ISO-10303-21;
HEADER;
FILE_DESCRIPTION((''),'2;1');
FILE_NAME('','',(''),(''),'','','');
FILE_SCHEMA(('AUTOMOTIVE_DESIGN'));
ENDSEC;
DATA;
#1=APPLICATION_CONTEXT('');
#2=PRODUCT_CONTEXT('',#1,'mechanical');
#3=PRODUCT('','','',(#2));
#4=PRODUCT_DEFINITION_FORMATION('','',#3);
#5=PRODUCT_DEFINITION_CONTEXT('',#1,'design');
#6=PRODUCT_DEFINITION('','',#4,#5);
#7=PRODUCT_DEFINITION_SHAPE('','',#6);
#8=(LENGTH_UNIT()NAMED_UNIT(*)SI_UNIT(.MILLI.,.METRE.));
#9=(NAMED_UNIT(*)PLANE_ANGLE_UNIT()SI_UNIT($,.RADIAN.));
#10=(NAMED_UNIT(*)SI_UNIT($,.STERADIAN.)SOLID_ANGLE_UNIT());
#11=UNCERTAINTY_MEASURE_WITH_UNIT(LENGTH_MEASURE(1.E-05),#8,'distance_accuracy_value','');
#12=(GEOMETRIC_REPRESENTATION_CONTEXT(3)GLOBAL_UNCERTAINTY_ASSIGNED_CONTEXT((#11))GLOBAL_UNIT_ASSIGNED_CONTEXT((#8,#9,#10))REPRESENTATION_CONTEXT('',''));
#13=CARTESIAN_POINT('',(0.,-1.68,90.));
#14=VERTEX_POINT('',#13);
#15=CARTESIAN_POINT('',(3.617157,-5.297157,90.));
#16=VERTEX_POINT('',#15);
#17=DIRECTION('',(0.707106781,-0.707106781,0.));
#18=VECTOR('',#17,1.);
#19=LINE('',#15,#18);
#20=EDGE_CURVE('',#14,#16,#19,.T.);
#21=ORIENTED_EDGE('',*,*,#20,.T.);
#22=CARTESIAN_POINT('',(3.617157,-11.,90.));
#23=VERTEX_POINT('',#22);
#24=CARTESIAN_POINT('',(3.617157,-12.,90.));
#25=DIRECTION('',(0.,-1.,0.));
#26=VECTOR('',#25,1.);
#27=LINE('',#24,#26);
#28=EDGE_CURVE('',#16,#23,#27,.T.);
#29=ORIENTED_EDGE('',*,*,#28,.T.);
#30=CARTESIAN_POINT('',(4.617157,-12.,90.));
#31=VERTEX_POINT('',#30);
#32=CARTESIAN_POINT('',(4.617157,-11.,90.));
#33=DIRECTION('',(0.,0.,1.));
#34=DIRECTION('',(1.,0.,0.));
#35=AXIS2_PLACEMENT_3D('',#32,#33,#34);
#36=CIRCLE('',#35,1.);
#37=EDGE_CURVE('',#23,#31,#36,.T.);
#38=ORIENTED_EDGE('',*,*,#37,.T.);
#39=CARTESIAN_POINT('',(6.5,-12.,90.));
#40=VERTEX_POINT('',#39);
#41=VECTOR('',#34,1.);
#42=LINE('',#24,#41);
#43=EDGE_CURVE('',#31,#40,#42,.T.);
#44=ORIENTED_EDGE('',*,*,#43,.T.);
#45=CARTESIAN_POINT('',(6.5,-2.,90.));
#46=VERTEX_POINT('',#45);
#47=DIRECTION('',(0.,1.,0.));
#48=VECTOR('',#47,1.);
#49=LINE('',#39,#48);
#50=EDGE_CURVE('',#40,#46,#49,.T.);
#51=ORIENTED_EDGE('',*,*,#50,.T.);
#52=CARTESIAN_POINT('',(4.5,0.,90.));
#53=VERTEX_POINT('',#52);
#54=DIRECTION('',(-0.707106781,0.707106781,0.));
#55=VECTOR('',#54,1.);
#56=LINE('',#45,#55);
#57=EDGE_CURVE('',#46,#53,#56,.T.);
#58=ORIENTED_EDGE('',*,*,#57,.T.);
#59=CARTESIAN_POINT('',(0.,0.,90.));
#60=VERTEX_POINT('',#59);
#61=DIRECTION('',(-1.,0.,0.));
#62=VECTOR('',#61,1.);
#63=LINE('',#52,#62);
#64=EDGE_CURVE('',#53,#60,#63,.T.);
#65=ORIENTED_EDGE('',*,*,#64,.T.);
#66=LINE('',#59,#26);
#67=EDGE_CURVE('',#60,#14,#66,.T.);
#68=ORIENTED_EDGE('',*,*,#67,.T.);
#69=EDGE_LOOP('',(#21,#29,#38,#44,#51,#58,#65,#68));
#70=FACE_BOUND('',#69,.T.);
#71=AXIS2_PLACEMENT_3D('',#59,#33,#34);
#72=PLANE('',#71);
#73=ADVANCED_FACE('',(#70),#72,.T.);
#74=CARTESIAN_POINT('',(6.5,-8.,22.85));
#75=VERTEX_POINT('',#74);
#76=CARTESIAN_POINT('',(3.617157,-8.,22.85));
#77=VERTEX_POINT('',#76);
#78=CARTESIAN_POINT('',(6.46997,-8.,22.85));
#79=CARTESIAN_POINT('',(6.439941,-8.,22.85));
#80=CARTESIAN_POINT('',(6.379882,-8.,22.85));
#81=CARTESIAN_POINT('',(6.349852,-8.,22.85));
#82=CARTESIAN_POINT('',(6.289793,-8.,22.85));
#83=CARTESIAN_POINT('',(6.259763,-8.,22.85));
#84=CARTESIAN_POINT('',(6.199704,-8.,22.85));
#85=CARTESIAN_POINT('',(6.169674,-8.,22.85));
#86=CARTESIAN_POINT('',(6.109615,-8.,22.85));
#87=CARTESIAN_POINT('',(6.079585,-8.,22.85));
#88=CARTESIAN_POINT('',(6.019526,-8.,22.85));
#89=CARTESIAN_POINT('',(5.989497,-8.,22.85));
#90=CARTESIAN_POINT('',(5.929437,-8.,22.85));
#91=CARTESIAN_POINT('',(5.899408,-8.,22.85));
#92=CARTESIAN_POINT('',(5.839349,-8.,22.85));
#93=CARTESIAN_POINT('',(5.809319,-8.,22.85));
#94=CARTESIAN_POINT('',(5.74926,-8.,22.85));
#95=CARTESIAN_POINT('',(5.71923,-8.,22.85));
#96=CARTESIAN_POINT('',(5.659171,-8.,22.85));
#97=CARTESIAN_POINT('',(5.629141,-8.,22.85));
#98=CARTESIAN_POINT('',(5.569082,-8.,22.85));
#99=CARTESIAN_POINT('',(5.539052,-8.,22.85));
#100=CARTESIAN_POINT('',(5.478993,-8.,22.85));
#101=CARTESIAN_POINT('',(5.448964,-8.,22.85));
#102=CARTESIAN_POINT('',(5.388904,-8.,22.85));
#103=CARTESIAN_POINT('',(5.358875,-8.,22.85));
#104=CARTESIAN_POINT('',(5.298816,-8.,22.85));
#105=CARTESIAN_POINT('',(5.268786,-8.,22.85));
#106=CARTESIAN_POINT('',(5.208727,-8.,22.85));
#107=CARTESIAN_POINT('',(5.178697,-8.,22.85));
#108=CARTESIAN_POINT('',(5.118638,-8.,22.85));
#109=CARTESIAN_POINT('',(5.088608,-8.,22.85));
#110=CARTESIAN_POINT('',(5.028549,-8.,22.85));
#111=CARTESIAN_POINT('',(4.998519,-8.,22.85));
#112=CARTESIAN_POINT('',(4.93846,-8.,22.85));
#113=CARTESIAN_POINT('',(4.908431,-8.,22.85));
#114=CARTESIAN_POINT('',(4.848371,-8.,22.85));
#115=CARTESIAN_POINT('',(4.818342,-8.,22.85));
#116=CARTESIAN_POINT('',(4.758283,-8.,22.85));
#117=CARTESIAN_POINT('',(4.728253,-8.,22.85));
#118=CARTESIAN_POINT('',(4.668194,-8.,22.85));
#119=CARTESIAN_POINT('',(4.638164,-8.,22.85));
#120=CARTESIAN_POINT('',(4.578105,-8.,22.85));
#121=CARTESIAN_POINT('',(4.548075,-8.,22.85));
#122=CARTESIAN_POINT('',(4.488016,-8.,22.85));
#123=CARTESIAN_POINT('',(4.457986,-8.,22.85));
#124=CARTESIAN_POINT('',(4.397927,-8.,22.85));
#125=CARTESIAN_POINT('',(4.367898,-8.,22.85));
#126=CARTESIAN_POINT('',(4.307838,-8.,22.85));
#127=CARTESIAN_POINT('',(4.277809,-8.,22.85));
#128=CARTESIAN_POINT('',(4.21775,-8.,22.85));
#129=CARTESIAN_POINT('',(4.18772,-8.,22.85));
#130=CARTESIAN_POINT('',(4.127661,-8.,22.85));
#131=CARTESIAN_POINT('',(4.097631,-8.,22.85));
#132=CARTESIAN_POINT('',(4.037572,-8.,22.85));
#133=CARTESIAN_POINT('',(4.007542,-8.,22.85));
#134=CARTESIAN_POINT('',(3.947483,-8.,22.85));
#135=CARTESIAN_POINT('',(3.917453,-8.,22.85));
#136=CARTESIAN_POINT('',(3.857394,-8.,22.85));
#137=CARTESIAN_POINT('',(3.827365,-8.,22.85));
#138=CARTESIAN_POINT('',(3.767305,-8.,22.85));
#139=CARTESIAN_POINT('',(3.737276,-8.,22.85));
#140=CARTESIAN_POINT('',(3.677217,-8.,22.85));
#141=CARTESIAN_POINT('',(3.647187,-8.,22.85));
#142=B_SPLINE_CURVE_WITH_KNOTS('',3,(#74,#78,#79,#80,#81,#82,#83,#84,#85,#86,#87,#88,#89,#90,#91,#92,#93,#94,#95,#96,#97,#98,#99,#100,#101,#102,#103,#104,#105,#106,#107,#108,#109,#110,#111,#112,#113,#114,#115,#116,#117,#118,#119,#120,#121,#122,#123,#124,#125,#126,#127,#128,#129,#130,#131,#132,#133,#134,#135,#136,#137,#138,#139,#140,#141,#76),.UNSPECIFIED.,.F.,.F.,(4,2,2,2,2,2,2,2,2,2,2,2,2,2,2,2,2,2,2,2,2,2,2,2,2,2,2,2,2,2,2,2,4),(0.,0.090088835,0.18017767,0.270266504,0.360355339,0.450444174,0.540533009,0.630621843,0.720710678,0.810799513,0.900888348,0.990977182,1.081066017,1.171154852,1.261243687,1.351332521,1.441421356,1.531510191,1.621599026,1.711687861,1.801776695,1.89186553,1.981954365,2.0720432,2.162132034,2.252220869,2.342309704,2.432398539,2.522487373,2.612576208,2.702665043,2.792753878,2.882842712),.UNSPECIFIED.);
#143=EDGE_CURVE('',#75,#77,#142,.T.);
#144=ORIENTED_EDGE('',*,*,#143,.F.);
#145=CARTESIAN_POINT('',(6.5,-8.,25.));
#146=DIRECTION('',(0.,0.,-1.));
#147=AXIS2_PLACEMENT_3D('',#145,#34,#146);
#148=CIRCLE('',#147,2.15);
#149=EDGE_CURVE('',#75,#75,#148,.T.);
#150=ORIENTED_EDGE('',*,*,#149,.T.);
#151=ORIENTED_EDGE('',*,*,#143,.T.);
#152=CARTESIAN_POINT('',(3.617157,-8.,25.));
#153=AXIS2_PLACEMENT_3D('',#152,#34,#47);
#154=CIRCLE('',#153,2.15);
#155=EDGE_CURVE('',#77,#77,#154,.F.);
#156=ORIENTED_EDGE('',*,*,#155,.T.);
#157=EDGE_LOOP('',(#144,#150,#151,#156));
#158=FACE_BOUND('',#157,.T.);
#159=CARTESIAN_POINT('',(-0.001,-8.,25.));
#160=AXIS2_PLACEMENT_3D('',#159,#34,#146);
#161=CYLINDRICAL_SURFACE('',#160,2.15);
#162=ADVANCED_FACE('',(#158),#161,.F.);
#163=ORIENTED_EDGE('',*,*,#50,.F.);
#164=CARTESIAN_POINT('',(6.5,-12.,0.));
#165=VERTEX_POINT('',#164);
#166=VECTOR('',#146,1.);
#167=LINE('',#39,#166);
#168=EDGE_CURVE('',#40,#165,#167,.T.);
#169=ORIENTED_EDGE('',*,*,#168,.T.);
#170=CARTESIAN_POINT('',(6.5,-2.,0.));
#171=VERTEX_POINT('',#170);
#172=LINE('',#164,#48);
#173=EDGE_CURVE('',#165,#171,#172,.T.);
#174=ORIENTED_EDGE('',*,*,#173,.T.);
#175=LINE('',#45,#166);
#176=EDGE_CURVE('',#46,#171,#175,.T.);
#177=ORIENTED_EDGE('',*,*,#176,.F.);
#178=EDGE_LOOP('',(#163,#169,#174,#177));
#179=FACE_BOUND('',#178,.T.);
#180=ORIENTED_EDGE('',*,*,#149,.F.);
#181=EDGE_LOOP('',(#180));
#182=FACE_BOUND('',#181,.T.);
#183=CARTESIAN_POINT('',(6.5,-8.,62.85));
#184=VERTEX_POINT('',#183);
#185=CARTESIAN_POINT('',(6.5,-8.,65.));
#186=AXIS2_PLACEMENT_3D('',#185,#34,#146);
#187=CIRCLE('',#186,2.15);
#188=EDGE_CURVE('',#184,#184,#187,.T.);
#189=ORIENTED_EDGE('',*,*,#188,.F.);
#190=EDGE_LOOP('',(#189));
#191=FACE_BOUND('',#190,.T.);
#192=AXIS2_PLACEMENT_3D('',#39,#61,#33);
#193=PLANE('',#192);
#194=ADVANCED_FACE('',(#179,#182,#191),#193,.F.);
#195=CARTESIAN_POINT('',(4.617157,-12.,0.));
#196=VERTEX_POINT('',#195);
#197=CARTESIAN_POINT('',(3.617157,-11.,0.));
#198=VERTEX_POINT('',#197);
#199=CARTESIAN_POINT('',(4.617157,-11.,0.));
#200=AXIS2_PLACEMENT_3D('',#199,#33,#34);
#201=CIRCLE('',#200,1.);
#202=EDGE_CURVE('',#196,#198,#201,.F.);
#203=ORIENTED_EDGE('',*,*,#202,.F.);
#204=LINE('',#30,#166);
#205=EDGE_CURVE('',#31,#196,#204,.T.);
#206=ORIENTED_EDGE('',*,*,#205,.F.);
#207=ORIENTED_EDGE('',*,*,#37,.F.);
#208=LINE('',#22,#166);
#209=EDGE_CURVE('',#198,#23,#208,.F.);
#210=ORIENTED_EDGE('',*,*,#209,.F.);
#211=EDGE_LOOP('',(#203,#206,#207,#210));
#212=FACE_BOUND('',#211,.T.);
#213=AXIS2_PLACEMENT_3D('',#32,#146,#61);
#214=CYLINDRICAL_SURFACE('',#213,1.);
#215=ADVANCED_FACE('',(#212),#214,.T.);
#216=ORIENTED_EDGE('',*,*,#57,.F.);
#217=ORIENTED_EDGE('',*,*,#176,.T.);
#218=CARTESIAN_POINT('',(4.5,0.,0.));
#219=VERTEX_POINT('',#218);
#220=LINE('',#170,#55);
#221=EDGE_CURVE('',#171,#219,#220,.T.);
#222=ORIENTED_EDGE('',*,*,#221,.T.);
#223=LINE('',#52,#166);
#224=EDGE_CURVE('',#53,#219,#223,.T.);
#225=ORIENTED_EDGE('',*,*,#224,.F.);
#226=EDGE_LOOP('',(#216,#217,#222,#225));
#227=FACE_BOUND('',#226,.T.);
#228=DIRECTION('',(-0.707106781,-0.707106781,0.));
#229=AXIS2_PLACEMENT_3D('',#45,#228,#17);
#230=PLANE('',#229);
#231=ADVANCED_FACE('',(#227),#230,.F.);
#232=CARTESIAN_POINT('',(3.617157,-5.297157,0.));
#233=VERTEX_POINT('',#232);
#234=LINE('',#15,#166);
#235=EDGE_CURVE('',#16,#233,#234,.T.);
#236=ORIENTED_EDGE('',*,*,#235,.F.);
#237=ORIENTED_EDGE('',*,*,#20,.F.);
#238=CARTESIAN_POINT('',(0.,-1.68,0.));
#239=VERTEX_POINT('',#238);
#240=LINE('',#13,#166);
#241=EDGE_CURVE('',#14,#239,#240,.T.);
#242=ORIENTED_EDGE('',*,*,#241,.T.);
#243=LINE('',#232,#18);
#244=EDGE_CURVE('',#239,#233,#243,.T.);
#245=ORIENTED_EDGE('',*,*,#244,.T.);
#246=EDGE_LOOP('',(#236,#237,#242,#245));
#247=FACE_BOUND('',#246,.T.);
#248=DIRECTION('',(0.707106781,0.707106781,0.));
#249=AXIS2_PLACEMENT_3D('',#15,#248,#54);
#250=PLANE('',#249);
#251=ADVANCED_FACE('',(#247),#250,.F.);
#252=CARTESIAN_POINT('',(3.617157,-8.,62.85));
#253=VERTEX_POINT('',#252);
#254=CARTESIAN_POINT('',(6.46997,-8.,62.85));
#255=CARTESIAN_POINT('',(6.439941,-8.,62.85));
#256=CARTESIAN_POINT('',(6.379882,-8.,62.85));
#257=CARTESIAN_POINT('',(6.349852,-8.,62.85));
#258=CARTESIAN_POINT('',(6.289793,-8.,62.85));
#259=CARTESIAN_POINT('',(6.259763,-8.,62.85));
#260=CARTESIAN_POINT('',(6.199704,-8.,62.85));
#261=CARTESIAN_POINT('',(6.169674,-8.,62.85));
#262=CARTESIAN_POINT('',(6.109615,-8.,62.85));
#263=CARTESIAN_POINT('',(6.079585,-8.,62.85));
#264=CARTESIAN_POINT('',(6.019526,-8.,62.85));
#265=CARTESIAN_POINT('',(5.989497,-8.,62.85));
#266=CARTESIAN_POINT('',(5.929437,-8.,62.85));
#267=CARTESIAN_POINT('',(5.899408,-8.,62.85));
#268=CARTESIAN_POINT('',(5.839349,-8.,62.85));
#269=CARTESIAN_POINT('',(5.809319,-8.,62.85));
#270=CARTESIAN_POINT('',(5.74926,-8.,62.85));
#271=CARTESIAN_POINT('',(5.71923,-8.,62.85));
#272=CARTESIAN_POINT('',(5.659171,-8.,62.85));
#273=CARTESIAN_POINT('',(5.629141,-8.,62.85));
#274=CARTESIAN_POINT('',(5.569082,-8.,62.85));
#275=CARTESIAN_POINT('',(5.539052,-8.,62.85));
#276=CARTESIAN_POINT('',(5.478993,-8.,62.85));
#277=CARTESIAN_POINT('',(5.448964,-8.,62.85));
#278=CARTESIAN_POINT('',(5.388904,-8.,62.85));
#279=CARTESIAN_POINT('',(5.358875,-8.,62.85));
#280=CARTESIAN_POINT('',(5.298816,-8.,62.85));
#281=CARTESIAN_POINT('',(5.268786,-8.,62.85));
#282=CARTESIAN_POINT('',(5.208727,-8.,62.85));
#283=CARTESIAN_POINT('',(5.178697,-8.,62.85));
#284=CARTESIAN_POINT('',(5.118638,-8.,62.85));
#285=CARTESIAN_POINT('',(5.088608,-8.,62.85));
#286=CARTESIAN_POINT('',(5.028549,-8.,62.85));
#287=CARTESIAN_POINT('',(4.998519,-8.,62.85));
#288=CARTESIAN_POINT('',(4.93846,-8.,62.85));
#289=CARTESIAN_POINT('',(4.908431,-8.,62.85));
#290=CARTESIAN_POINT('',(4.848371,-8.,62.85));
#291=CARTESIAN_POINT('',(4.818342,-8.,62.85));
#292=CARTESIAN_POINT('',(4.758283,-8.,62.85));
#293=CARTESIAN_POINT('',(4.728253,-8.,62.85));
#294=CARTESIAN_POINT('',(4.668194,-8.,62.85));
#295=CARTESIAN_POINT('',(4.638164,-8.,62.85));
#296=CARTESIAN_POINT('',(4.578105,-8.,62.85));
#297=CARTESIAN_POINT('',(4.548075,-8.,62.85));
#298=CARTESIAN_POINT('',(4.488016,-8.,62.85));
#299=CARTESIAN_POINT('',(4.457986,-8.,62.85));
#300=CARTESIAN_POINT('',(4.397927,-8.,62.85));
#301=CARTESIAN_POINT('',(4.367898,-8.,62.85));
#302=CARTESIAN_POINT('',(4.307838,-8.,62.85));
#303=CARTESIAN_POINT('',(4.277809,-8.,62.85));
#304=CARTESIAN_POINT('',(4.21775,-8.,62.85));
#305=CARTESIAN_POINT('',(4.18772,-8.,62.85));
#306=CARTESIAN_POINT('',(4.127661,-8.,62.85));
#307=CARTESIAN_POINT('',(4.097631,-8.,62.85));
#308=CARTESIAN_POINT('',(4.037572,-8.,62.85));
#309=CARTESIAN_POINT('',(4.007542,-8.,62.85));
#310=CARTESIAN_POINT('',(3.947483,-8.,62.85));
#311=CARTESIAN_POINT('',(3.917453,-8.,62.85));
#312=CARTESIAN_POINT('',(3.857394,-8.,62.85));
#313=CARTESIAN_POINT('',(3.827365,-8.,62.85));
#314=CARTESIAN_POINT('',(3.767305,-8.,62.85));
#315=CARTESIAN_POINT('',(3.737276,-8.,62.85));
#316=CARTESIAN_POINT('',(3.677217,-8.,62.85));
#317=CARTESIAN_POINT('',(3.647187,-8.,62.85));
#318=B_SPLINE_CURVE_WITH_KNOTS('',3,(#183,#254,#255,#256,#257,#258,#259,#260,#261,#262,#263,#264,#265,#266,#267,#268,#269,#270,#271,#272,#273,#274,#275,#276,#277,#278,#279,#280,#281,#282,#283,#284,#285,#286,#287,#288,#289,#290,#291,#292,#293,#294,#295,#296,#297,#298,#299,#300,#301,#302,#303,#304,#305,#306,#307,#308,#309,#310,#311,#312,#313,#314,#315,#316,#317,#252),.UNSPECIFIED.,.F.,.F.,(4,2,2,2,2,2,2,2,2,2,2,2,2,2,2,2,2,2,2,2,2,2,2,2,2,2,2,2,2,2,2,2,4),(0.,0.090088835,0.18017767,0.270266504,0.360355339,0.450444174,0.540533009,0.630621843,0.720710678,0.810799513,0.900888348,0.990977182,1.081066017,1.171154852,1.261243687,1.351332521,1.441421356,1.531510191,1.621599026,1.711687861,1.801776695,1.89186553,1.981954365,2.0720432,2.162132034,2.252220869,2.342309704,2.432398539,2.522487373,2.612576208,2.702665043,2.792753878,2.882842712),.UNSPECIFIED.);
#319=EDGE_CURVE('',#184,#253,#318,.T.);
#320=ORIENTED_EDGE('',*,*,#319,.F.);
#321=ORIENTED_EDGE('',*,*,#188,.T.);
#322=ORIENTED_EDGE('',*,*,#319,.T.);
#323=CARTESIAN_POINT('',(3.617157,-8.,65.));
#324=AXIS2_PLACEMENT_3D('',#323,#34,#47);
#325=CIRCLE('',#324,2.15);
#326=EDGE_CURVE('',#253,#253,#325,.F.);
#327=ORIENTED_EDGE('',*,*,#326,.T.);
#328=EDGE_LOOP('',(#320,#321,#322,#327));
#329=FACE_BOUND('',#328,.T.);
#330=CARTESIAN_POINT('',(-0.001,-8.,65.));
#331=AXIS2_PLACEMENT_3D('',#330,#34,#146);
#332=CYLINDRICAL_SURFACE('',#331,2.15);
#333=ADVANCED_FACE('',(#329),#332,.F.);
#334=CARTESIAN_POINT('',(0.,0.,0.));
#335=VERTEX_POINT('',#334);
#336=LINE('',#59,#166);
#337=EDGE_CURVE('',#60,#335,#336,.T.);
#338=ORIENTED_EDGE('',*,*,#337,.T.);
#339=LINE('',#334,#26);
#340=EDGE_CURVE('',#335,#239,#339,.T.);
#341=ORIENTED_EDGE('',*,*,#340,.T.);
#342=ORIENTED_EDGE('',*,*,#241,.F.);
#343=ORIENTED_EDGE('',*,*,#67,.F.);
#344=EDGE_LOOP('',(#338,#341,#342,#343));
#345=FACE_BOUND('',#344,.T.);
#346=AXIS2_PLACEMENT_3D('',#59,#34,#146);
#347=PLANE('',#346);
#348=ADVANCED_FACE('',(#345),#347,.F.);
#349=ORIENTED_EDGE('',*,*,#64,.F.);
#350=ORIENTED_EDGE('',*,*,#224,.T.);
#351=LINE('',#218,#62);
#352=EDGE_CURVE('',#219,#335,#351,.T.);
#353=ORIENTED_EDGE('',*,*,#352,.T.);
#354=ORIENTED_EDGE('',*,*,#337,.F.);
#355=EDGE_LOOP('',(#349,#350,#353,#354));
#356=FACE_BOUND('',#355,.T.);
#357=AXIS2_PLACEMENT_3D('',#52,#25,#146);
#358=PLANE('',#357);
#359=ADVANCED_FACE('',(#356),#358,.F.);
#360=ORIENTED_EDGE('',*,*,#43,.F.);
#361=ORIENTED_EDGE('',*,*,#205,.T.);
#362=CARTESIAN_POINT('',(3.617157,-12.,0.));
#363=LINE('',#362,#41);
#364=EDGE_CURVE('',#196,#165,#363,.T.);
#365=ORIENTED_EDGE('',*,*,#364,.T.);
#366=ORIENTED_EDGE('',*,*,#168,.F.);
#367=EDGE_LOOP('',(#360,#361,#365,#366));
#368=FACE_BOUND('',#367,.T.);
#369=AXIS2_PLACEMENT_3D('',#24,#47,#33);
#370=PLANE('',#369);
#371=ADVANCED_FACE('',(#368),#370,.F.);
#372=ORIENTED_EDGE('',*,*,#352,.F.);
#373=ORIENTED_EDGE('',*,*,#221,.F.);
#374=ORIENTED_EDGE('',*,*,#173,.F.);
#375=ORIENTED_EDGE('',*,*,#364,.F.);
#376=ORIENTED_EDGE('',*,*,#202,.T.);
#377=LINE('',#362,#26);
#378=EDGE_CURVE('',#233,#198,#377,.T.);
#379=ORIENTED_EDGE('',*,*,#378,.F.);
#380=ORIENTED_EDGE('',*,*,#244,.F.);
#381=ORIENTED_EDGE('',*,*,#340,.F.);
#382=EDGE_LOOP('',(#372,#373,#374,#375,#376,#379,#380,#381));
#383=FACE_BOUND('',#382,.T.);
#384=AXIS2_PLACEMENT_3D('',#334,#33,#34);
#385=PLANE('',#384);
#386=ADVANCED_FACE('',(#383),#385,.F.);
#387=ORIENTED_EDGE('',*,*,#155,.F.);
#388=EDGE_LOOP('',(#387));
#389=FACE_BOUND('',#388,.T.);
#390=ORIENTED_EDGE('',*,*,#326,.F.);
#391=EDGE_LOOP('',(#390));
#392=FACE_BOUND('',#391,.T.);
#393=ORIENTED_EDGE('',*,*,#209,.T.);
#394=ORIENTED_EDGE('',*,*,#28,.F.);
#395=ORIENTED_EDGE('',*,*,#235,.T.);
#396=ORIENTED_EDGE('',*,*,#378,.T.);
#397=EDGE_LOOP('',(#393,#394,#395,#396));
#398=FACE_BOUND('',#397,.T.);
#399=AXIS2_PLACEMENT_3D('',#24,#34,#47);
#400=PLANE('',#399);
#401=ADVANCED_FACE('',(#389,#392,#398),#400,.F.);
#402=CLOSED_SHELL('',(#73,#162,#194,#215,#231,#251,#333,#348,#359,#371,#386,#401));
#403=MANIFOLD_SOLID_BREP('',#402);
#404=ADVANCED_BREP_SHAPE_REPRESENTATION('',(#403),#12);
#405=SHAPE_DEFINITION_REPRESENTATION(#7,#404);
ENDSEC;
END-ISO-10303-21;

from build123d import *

# Parameters (mm, degrees)
BOSS_EXTRUDE1_DEPTH = 90
CUT_EXTRUDE1_REACH  = 93.029
SKETCH4_R           = 2.15
FILLET1_R           = 1


with BuildPart() as part:
    # Sketch3 → Boss-Extrude1 (new body)
    with BuildSketch(Plane.XY):
        Polygon((3.617157288, -12), (3.617157288, -5.297157288), (0, -1.68), (0, 0), (4.5, 0), (6.5, -2), (6.5, -12), align=None)
    extrude(amount=BOSS_EXTRUDE1_DEPTH)

    # Sketch4 → Cut-Extrude1 (cut, up to next)
    with BuildSketch(Plane(origin=(6.5, 0, 0), x_dir=(0, 0, -1), z_dir=(1, 0, 0)), mode=Mode.PRIVATE) as cut_extrude1_sk1:
        with Locations((-65, -8)):
            Circle(SKETCH4_R)
    cut_extrude1_tool1 = extrude(cut_extrude1_sk1.sketch, amount=-CUT_EXTRUDE1_REACH, mode=Mode.PRIVATE) & part.part
    # Sketch4 → Cut-Extrude1 (cut, up to next)
    with BuildSketch(Plane(origin=(6.5, 0, 0), x_dir=(0, 0, -1), z_dir=(1, 0, 0)), mode=Mode.PRIVATE) as cut_extrude1_sk2:
        with Locations((-25, -8)):
            Circle(SKETCH4_R)
    cut_extrude1_tool2 = extrude(cut_extrude1_sk2.sketch, amount=-CUT_EXTRUDE1_REACH, mode=Mode.PRIVATE) & part.part
    add(cut_extrude1_tool1.solids().sort_by_distance((6.5, -8, 65))[0], mode=Mode.SUBTRACT)
    add(cut_extrude1_tool2.solids().sort_by_distance((6.5, -8, 25))[0], mode=Mode.SUBTRACT)

    # Fillet1
    fillet1_edges = [part.edges().sort_by_distance(p)[0] for p in [
        (3.617157288, -12, 45),
    ]]
    fillet(fillet1_edges, radius=FILLET1_R)


solid = part.part
